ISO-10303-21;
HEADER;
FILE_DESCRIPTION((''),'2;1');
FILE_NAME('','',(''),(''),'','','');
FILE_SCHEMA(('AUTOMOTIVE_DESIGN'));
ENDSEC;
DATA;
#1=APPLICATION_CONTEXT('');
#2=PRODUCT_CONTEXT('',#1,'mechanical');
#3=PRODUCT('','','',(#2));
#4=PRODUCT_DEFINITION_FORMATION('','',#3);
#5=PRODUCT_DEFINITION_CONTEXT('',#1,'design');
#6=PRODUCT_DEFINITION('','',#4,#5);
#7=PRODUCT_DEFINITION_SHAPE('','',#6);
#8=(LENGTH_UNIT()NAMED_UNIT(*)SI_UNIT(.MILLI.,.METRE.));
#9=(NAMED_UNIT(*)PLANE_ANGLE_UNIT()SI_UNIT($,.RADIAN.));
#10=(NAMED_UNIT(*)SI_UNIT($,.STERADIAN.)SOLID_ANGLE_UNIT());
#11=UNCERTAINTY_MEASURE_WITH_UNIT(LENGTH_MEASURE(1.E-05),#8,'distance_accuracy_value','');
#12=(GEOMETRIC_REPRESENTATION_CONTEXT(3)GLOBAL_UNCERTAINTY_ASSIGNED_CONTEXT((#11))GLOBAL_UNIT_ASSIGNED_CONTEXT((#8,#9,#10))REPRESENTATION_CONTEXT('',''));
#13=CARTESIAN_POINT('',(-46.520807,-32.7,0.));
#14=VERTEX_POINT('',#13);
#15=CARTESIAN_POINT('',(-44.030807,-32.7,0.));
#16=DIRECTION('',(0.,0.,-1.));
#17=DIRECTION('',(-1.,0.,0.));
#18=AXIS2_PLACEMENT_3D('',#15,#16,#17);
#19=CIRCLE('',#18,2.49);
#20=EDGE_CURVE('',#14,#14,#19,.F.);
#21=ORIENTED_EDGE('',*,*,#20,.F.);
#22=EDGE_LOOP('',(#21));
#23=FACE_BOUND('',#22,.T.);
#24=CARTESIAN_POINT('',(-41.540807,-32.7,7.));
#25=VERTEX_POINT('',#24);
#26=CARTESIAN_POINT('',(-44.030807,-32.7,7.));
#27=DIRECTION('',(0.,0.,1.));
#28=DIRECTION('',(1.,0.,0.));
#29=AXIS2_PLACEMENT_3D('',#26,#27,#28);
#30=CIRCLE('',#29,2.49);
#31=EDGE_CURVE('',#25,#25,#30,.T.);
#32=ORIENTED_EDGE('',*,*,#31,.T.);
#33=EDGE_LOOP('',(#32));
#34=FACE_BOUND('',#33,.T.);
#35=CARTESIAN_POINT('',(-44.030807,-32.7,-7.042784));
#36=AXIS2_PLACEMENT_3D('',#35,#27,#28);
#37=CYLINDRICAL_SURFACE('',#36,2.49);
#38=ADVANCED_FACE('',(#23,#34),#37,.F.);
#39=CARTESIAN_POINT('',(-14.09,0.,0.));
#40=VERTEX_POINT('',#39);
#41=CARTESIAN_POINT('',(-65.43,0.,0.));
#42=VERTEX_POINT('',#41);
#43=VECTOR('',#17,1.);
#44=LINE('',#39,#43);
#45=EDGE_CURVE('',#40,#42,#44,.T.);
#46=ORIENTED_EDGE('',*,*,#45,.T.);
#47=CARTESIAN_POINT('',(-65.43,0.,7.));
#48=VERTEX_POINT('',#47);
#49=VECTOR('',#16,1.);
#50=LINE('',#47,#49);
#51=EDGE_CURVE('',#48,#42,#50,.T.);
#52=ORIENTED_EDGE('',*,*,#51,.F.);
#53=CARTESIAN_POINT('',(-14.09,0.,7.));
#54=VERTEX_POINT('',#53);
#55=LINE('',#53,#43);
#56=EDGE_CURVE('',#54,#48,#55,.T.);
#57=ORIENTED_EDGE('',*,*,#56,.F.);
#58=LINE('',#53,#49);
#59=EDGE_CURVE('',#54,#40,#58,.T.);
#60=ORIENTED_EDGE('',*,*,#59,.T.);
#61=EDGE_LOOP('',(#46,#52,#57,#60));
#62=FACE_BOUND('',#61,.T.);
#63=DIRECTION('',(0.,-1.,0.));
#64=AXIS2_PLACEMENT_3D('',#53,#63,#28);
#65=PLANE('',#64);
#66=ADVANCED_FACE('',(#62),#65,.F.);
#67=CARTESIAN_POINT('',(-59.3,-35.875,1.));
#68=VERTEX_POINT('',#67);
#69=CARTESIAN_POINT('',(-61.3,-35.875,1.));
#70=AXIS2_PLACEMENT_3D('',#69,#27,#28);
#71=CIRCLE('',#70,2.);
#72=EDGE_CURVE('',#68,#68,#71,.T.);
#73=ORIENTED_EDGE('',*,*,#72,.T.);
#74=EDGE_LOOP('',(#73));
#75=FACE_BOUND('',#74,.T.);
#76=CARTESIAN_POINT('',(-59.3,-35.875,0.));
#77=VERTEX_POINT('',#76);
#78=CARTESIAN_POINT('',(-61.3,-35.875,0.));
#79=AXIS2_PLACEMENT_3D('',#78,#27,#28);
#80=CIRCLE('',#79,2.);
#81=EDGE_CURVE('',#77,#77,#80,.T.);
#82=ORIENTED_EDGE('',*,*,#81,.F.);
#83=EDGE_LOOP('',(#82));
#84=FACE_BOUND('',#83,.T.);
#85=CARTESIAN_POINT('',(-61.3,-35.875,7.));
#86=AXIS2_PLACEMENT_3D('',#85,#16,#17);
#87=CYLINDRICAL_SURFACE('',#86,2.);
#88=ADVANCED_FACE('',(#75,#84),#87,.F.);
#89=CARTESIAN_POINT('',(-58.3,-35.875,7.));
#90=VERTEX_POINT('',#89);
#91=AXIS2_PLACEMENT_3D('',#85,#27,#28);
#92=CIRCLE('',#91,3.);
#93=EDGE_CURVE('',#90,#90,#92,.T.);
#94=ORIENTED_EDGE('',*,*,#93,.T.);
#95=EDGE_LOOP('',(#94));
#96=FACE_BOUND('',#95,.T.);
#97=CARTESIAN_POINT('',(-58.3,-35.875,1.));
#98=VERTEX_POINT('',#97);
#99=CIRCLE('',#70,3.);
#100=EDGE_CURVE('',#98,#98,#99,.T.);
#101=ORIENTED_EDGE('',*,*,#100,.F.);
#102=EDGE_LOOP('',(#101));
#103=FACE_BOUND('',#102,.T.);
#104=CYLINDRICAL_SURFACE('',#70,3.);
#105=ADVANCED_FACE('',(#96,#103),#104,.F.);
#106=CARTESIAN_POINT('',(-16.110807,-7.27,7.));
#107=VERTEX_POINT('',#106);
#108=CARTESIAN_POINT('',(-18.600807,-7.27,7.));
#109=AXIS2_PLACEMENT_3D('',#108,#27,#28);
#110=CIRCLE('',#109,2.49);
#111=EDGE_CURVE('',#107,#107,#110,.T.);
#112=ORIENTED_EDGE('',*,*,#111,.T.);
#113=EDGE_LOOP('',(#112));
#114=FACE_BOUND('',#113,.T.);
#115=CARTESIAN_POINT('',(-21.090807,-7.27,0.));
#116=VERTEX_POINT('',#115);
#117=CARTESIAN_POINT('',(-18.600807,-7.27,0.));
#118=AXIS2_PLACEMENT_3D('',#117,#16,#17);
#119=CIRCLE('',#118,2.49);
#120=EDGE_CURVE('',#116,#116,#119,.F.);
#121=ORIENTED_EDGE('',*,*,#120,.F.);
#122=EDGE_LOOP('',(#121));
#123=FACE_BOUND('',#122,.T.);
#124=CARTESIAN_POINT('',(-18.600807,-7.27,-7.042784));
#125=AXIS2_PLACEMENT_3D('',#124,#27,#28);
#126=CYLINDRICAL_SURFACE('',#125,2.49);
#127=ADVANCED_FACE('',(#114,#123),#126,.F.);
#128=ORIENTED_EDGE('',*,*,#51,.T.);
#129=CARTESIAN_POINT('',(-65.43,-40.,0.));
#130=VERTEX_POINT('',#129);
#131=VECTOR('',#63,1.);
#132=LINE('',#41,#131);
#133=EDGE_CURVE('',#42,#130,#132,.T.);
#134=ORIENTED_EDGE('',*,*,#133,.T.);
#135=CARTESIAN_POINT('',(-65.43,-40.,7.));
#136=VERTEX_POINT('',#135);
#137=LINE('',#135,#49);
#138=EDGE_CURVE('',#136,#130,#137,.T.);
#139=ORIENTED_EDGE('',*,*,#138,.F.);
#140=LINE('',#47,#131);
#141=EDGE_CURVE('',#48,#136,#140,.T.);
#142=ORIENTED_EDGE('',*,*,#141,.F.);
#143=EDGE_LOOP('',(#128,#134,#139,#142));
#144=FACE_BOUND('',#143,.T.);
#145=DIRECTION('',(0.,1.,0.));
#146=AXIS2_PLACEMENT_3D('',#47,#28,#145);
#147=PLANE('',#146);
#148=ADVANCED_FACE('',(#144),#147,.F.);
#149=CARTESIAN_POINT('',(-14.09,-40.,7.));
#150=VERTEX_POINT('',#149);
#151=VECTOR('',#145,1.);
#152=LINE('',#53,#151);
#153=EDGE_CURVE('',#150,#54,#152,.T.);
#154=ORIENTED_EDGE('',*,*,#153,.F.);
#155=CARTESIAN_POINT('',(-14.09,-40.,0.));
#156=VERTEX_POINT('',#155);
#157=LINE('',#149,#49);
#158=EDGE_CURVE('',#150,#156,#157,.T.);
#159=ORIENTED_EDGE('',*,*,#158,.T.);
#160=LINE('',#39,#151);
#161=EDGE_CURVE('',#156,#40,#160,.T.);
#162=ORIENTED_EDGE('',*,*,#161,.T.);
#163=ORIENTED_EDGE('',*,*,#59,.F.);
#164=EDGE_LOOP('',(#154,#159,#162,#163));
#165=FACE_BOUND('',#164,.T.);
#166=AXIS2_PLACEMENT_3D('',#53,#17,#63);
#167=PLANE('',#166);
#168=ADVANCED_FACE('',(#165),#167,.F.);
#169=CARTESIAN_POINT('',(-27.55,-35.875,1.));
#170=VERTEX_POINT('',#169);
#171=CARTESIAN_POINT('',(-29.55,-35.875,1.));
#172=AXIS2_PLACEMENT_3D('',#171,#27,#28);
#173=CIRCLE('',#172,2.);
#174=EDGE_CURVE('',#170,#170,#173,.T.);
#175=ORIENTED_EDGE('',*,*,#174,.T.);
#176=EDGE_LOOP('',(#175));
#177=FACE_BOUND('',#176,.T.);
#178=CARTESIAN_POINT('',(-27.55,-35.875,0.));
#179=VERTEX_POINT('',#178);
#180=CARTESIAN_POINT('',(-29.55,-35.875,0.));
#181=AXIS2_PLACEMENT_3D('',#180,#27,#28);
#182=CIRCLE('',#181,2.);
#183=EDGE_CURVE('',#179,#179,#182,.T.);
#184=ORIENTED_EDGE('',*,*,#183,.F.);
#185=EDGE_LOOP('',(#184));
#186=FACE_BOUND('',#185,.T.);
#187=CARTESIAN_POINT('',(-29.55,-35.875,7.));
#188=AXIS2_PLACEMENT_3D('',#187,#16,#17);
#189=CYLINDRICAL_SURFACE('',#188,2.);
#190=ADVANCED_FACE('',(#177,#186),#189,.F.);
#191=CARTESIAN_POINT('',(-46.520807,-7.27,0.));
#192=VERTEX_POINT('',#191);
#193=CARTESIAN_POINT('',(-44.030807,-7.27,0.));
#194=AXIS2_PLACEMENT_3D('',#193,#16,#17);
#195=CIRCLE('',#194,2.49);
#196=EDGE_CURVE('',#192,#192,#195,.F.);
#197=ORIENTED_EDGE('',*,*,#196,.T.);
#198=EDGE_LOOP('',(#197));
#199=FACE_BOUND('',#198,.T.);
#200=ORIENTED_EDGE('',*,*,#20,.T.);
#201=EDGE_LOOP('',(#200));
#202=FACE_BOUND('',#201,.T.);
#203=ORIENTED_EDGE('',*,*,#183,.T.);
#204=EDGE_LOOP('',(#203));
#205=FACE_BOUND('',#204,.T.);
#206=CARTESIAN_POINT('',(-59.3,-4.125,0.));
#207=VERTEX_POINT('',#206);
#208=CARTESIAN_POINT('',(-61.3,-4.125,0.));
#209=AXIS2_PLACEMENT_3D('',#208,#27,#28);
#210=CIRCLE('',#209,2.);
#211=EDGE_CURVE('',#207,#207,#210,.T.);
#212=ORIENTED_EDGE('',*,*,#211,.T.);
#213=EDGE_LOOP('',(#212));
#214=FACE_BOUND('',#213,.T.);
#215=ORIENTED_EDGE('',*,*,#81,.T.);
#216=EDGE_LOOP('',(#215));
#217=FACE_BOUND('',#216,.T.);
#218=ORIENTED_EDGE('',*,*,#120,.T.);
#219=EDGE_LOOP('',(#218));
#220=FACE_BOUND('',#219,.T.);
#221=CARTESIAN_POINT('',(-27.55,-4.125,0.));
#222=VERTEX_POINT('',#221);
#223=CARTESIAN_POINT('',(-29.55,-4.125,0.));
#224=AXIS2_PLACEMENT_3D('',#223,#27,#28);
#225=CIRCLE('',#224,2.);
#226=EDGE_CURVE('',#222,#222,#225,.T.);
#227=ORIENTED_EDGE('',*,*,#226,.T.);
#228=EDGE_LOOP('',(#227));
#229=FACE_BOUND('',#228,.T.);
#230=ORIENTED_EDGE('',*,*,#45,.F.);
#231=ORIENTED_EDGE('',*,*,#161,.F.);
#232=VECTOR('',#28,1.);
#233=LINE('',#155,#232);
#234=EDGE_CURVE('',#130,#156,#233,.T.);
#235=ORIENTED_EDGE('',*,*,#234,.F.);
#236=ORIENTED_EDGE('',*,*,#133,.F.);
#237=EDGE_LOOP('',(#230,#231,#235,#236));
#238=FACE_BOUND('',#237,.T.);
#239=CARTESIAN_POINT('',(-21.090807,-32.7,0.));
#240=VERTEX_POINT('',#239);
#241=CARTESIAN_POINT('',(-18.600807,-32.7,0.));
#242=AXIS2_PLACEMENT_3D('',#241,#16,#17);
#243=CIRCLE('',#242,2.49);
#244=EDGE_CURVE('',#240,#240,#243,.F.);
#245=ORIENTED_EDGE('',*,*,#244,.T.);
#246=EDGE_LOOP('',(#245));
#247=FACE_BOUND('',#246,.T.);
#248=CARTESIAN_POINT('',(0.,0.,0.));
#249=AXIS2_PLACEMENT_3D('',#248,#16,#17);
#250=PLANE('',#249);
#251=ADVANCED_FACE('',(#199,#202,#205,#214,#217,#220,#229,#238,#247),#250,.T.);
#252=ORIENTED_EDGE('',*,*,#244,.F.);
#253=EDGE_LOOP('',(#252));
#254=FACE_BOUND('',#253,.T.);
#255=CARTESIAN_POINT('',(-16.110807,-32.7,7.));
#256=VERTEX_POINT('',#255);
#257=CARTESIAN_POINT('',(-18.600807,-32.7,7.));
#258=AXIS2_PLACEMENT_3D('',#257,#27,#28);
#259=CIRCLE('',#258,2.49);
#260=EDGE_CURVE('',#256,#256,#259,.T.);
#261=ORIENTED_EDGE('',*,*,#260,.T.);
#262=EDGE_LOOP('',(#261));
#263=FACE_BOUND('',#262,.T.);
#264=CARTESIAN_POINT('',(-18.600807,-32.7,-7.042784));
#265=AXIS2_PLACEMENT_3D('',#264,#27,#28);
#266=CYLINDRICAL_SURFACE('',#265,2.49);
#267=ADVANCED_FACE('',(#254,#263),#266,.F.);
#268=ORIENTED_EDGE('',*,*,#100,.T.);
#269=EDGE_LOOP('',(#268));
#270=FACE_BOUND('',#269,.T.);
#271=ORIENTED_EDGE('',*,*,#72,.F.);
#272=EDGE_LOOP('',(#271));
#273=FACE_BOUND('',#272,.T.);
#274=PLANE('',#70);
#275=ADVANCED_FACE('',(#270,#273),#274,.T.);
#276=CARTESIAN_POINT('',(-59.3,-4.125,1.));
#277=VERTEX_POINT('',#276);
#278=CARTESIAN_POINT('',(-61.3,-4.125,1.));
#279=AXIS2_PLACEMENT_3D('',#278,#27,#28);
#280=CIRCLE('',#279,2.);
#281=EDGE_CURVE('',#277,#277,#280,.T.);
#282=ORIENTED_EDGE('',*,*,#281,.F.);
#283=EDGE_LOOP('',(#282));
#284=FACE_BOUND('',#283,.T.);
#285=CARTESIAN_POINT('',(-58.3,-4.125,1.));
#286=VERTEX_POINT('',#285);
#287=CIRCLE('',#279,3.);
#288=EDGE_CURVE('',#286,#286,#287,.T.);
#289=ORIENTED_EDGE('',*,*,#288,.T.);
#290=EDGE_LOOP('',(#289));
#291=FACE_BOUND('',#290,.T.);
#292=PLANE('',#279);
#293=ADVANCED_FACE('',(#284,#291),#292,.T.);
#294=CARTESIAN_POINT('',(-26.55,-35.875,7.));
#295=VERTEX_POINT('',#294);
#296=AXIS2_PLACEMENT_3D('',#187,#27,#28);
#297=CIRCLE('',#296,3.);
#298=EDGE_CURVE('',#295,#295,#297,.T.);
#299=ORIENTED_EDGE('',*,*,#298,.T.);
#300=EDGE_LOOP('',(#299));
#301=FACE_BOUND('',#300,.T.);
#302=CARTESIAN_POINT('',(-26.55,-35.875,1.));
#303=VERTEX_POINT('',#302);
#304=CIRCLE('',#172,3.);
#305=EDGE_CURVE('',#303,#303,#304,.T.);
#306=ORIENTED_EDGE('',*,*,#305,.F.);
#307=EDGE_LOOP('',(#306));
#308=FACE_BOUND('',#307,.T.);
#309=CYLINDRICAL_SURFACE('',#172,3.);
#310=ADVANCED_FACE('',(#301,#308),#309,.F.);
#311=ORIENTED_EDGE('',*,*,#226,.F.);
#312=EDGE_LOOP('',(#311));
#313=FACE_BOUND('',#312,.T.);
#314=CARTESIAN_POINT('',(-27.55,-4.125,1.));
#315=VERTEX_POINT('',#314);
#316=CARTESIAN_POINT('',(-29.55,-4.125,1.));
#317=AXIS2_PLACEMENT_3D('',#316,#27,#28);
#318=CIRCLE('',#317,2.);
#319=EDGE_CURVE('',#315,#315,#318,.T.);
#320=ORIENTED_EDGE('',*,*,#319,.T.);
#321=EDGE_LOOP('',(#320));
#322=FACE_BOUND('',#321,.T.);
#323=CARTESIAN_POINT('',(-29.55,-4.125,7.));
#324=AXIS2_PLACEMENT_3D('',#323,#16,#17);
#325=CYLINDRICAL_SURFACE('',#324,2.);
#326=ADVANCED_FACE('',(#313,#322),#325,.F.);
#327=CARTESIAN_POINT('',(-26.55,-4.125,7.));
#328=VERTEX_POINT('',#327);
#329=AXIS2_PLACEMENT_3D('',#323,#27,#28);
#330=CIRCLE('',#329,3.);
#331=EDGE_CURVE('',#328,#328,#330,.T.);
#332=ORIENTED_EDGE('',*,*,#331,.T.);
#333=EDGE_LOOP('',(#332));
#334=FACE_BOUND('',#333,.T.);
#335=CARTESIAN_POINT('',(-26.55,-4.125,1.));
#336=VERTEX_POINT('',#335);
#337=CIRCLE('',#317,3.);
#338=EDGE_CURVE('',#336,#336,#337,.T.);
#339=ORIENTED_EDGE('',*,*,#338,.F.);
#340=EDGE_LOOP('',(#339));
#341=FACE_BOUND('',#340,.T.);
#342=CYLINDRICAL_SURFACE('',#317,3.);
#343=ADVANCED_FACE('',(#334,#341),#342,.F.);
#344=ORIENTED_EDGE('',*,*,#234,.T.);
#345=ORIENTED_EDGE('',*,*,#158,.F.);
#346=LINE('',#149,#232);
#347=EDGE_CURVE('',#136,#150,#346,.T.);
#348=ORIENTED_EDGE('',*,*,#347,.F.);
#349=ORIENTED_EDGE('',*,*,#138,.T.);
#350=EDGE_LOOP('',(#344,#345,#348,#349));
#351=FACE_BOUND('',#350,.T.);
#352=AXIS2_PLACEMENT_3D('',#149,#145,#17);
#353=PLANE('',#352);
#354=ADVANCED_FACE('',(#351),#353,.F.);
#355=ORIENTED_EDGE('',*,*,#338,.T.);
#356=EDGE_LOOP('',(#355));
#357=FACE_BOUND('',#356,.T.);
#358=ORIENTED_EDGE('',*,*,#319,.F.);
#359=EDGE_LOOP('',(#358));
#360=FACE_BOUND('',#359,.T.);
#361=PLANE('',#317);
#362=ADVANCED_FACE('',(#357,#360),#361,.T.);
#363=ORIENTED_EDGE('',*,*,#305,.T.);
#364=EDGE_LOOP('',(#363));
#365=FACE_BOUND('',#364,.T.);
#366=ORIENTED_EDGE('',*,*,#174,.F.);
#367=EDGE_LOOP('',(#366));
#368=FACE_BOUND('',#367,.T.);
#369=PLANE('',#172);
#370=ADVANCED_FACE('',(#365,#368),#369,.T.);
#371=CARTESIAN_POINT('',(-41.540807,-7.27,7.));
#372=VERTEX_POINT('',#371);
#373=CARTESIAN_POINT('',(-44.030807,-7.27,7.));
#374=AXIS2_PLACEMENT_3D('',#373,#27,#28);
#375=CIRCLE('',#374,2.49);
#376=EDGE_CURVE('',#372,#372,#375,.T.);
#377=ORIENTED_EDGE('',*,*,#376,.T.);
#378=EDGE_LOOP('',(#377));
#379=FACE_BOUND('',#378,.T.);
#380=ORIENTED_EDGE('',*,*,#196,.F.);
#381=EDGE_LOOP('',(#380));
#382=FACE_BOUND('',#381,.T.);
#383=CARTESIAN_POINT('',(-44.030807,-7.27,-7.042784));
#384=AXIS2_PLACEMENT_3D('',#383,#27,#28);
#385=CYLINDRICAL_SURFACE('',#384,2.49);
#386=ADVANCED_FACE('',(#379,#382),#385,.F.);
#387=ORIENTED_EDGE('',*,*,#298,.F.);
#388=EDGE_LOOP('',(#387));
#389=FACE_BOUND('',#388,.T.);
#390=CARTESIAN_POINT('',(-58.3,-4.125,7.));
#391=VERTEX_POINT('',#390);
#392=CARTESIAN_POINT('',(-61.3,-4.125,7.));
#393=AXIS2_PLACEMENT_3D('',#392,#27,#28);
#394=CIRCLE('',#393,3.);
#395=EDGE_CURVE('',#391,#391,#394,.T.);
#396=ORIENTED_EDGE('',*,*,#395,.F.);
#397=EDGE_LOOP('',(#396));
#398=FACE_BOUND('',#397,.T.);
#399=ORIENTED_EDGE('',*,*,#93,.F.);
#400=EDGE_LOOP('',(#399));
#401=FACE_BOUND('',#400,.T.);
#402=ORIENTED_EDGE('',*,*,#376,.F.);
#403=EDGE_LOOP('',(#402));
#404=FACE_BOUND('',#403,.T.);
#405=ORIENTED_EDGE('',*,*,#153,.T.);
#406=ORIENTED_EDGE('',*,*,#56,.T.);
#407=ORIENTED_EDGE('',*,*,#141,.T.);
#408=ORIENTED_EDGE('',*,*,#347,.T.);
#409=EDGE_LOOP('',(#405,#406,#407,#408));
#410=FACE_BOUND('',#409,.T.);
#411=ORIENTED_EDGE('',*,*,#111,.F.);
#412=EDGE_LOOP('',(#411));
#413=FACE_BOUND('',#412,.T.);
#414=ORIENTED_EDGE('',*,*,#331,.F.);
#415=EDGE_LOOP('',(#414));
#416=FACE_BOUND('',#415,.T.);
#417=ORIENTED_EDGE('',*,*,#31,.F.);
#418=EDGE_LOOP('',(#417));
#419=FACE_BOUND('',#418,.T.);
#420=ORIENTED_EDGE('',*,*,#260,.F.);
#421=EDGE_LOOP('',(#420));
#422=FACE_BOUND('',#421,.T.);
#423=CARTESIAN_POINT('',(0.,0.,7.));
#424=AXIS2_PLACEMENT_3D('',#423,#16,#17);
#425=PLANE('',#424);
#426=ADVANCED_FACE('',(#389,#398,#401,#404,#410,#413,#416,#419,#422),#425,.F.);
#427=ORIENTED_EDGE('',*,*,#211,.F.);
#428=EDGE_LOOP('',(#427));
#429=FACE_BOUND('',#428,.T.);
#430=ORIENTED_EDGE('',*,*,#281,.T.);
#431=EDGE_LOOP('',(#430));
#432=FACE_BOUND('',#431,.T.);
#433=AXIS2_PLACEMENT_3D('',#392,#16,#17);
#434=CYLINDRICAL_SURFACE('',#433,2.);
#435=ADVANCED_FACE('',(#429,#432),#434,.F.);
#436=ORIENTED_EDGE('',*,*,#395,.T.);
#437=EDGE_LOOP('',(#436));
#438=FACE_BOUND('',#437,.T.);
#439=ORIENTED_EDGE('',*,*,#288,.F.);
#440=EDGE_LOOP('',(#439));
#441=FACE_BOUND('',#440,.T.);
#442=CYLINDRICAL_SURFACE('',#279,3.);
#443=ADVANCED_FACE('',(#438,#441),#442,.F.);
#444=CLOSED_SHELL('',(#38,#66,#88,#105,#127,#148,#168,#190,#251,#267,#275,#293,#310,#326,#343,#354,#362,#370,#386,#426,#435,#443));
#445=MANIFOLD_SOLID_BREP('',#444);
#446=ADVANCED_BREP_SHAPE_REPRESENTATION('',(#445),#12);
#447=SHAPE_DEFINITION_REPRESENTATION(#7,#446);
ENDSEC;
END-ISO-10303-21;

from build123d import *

# Parameters (mm, degrees)
SKETCH1_W           = 51.34
SKETCH1_H           = 40
BOSS_EXTRUDE1_DEPTH = 7
SKETCH2_R           = 2
CUT_EXTRUDE2_DEPTH  = 8
SKETCH8_R           = 3
CUT_EXTRUDE6_DEPTH  = 6
SKETCH9_R           = 2.49
CUT_EXTRUDE7_DEPTH  = 7


with BuildPart() as part:
    # Sketch1 → Boss-Extrude1 (new body)
    with BuildSketch(Plane.XY):
        with Locations((-39.76, -20)):
            Rectangle(SKETCH1_W, SKETCH1_H)
    extrude(amount=BOSS_EXTRUDE1_DEPTH)

    # Sketch2 → Cut-Extrude2 (cut, through all)
    with BuildSketch(Plane.XY):
        with Locations((-61.3, -35.875)):
            Circle(SKETCH2_R)
        with Locations((-29.55, -35.875)):
            Circle(SKETCH2_R)
        with Locations((-29.55, -4.125)):
            Circle(SKETCH2_R)
        with Locations((-61.3, -4.125)):
            Circle(SKETCH2_R)
    extrude(amount=CUT_EXTRUDE2_DEPTH, mode=Mode.SUBTRACT)

    # Sketch8 → Cut-Extrude6 (cut)
    with BuildSketch(Plane.XY.offset(7)):
        with Locations((-61.3, -4.125)):
            Circle(SKETCH8_R)
        with Locations((-29.55, -4.125)):
            Circle(SKETCH8_R)
        with Locations((-29.55, -35.875)):
            Circle(SKETCH8_R)
        with Locations((-61.3, -35.875)):
            Circle(SKETCH8_R)
    extrude(amount=-CUT_EXTRUDE6_DEPTH, mode=Mode.SUBTRACT)

    # Sketch9 → Cut-Extrude7 (cut)
    with BuildSketch(Plane.XY.offset(7)):
        with Locations((-44.030806884, -7.27)):
            Circle(SKETCH9_R)
        with Locations((-18.600806884, -7.27)):
            Circle(SKETCH9_R)
        with Locations((-44.030806884, -32.7)):
            Circle(SKETCH9_R)
        with Locations((-18.600806884, -32.7)):
            Circle(SKETCH9_R)
    extrude(amount=-CUT_EXTRUDE7_DEPTH, mode=Mode.SUBTRACT)


solid = part.part
